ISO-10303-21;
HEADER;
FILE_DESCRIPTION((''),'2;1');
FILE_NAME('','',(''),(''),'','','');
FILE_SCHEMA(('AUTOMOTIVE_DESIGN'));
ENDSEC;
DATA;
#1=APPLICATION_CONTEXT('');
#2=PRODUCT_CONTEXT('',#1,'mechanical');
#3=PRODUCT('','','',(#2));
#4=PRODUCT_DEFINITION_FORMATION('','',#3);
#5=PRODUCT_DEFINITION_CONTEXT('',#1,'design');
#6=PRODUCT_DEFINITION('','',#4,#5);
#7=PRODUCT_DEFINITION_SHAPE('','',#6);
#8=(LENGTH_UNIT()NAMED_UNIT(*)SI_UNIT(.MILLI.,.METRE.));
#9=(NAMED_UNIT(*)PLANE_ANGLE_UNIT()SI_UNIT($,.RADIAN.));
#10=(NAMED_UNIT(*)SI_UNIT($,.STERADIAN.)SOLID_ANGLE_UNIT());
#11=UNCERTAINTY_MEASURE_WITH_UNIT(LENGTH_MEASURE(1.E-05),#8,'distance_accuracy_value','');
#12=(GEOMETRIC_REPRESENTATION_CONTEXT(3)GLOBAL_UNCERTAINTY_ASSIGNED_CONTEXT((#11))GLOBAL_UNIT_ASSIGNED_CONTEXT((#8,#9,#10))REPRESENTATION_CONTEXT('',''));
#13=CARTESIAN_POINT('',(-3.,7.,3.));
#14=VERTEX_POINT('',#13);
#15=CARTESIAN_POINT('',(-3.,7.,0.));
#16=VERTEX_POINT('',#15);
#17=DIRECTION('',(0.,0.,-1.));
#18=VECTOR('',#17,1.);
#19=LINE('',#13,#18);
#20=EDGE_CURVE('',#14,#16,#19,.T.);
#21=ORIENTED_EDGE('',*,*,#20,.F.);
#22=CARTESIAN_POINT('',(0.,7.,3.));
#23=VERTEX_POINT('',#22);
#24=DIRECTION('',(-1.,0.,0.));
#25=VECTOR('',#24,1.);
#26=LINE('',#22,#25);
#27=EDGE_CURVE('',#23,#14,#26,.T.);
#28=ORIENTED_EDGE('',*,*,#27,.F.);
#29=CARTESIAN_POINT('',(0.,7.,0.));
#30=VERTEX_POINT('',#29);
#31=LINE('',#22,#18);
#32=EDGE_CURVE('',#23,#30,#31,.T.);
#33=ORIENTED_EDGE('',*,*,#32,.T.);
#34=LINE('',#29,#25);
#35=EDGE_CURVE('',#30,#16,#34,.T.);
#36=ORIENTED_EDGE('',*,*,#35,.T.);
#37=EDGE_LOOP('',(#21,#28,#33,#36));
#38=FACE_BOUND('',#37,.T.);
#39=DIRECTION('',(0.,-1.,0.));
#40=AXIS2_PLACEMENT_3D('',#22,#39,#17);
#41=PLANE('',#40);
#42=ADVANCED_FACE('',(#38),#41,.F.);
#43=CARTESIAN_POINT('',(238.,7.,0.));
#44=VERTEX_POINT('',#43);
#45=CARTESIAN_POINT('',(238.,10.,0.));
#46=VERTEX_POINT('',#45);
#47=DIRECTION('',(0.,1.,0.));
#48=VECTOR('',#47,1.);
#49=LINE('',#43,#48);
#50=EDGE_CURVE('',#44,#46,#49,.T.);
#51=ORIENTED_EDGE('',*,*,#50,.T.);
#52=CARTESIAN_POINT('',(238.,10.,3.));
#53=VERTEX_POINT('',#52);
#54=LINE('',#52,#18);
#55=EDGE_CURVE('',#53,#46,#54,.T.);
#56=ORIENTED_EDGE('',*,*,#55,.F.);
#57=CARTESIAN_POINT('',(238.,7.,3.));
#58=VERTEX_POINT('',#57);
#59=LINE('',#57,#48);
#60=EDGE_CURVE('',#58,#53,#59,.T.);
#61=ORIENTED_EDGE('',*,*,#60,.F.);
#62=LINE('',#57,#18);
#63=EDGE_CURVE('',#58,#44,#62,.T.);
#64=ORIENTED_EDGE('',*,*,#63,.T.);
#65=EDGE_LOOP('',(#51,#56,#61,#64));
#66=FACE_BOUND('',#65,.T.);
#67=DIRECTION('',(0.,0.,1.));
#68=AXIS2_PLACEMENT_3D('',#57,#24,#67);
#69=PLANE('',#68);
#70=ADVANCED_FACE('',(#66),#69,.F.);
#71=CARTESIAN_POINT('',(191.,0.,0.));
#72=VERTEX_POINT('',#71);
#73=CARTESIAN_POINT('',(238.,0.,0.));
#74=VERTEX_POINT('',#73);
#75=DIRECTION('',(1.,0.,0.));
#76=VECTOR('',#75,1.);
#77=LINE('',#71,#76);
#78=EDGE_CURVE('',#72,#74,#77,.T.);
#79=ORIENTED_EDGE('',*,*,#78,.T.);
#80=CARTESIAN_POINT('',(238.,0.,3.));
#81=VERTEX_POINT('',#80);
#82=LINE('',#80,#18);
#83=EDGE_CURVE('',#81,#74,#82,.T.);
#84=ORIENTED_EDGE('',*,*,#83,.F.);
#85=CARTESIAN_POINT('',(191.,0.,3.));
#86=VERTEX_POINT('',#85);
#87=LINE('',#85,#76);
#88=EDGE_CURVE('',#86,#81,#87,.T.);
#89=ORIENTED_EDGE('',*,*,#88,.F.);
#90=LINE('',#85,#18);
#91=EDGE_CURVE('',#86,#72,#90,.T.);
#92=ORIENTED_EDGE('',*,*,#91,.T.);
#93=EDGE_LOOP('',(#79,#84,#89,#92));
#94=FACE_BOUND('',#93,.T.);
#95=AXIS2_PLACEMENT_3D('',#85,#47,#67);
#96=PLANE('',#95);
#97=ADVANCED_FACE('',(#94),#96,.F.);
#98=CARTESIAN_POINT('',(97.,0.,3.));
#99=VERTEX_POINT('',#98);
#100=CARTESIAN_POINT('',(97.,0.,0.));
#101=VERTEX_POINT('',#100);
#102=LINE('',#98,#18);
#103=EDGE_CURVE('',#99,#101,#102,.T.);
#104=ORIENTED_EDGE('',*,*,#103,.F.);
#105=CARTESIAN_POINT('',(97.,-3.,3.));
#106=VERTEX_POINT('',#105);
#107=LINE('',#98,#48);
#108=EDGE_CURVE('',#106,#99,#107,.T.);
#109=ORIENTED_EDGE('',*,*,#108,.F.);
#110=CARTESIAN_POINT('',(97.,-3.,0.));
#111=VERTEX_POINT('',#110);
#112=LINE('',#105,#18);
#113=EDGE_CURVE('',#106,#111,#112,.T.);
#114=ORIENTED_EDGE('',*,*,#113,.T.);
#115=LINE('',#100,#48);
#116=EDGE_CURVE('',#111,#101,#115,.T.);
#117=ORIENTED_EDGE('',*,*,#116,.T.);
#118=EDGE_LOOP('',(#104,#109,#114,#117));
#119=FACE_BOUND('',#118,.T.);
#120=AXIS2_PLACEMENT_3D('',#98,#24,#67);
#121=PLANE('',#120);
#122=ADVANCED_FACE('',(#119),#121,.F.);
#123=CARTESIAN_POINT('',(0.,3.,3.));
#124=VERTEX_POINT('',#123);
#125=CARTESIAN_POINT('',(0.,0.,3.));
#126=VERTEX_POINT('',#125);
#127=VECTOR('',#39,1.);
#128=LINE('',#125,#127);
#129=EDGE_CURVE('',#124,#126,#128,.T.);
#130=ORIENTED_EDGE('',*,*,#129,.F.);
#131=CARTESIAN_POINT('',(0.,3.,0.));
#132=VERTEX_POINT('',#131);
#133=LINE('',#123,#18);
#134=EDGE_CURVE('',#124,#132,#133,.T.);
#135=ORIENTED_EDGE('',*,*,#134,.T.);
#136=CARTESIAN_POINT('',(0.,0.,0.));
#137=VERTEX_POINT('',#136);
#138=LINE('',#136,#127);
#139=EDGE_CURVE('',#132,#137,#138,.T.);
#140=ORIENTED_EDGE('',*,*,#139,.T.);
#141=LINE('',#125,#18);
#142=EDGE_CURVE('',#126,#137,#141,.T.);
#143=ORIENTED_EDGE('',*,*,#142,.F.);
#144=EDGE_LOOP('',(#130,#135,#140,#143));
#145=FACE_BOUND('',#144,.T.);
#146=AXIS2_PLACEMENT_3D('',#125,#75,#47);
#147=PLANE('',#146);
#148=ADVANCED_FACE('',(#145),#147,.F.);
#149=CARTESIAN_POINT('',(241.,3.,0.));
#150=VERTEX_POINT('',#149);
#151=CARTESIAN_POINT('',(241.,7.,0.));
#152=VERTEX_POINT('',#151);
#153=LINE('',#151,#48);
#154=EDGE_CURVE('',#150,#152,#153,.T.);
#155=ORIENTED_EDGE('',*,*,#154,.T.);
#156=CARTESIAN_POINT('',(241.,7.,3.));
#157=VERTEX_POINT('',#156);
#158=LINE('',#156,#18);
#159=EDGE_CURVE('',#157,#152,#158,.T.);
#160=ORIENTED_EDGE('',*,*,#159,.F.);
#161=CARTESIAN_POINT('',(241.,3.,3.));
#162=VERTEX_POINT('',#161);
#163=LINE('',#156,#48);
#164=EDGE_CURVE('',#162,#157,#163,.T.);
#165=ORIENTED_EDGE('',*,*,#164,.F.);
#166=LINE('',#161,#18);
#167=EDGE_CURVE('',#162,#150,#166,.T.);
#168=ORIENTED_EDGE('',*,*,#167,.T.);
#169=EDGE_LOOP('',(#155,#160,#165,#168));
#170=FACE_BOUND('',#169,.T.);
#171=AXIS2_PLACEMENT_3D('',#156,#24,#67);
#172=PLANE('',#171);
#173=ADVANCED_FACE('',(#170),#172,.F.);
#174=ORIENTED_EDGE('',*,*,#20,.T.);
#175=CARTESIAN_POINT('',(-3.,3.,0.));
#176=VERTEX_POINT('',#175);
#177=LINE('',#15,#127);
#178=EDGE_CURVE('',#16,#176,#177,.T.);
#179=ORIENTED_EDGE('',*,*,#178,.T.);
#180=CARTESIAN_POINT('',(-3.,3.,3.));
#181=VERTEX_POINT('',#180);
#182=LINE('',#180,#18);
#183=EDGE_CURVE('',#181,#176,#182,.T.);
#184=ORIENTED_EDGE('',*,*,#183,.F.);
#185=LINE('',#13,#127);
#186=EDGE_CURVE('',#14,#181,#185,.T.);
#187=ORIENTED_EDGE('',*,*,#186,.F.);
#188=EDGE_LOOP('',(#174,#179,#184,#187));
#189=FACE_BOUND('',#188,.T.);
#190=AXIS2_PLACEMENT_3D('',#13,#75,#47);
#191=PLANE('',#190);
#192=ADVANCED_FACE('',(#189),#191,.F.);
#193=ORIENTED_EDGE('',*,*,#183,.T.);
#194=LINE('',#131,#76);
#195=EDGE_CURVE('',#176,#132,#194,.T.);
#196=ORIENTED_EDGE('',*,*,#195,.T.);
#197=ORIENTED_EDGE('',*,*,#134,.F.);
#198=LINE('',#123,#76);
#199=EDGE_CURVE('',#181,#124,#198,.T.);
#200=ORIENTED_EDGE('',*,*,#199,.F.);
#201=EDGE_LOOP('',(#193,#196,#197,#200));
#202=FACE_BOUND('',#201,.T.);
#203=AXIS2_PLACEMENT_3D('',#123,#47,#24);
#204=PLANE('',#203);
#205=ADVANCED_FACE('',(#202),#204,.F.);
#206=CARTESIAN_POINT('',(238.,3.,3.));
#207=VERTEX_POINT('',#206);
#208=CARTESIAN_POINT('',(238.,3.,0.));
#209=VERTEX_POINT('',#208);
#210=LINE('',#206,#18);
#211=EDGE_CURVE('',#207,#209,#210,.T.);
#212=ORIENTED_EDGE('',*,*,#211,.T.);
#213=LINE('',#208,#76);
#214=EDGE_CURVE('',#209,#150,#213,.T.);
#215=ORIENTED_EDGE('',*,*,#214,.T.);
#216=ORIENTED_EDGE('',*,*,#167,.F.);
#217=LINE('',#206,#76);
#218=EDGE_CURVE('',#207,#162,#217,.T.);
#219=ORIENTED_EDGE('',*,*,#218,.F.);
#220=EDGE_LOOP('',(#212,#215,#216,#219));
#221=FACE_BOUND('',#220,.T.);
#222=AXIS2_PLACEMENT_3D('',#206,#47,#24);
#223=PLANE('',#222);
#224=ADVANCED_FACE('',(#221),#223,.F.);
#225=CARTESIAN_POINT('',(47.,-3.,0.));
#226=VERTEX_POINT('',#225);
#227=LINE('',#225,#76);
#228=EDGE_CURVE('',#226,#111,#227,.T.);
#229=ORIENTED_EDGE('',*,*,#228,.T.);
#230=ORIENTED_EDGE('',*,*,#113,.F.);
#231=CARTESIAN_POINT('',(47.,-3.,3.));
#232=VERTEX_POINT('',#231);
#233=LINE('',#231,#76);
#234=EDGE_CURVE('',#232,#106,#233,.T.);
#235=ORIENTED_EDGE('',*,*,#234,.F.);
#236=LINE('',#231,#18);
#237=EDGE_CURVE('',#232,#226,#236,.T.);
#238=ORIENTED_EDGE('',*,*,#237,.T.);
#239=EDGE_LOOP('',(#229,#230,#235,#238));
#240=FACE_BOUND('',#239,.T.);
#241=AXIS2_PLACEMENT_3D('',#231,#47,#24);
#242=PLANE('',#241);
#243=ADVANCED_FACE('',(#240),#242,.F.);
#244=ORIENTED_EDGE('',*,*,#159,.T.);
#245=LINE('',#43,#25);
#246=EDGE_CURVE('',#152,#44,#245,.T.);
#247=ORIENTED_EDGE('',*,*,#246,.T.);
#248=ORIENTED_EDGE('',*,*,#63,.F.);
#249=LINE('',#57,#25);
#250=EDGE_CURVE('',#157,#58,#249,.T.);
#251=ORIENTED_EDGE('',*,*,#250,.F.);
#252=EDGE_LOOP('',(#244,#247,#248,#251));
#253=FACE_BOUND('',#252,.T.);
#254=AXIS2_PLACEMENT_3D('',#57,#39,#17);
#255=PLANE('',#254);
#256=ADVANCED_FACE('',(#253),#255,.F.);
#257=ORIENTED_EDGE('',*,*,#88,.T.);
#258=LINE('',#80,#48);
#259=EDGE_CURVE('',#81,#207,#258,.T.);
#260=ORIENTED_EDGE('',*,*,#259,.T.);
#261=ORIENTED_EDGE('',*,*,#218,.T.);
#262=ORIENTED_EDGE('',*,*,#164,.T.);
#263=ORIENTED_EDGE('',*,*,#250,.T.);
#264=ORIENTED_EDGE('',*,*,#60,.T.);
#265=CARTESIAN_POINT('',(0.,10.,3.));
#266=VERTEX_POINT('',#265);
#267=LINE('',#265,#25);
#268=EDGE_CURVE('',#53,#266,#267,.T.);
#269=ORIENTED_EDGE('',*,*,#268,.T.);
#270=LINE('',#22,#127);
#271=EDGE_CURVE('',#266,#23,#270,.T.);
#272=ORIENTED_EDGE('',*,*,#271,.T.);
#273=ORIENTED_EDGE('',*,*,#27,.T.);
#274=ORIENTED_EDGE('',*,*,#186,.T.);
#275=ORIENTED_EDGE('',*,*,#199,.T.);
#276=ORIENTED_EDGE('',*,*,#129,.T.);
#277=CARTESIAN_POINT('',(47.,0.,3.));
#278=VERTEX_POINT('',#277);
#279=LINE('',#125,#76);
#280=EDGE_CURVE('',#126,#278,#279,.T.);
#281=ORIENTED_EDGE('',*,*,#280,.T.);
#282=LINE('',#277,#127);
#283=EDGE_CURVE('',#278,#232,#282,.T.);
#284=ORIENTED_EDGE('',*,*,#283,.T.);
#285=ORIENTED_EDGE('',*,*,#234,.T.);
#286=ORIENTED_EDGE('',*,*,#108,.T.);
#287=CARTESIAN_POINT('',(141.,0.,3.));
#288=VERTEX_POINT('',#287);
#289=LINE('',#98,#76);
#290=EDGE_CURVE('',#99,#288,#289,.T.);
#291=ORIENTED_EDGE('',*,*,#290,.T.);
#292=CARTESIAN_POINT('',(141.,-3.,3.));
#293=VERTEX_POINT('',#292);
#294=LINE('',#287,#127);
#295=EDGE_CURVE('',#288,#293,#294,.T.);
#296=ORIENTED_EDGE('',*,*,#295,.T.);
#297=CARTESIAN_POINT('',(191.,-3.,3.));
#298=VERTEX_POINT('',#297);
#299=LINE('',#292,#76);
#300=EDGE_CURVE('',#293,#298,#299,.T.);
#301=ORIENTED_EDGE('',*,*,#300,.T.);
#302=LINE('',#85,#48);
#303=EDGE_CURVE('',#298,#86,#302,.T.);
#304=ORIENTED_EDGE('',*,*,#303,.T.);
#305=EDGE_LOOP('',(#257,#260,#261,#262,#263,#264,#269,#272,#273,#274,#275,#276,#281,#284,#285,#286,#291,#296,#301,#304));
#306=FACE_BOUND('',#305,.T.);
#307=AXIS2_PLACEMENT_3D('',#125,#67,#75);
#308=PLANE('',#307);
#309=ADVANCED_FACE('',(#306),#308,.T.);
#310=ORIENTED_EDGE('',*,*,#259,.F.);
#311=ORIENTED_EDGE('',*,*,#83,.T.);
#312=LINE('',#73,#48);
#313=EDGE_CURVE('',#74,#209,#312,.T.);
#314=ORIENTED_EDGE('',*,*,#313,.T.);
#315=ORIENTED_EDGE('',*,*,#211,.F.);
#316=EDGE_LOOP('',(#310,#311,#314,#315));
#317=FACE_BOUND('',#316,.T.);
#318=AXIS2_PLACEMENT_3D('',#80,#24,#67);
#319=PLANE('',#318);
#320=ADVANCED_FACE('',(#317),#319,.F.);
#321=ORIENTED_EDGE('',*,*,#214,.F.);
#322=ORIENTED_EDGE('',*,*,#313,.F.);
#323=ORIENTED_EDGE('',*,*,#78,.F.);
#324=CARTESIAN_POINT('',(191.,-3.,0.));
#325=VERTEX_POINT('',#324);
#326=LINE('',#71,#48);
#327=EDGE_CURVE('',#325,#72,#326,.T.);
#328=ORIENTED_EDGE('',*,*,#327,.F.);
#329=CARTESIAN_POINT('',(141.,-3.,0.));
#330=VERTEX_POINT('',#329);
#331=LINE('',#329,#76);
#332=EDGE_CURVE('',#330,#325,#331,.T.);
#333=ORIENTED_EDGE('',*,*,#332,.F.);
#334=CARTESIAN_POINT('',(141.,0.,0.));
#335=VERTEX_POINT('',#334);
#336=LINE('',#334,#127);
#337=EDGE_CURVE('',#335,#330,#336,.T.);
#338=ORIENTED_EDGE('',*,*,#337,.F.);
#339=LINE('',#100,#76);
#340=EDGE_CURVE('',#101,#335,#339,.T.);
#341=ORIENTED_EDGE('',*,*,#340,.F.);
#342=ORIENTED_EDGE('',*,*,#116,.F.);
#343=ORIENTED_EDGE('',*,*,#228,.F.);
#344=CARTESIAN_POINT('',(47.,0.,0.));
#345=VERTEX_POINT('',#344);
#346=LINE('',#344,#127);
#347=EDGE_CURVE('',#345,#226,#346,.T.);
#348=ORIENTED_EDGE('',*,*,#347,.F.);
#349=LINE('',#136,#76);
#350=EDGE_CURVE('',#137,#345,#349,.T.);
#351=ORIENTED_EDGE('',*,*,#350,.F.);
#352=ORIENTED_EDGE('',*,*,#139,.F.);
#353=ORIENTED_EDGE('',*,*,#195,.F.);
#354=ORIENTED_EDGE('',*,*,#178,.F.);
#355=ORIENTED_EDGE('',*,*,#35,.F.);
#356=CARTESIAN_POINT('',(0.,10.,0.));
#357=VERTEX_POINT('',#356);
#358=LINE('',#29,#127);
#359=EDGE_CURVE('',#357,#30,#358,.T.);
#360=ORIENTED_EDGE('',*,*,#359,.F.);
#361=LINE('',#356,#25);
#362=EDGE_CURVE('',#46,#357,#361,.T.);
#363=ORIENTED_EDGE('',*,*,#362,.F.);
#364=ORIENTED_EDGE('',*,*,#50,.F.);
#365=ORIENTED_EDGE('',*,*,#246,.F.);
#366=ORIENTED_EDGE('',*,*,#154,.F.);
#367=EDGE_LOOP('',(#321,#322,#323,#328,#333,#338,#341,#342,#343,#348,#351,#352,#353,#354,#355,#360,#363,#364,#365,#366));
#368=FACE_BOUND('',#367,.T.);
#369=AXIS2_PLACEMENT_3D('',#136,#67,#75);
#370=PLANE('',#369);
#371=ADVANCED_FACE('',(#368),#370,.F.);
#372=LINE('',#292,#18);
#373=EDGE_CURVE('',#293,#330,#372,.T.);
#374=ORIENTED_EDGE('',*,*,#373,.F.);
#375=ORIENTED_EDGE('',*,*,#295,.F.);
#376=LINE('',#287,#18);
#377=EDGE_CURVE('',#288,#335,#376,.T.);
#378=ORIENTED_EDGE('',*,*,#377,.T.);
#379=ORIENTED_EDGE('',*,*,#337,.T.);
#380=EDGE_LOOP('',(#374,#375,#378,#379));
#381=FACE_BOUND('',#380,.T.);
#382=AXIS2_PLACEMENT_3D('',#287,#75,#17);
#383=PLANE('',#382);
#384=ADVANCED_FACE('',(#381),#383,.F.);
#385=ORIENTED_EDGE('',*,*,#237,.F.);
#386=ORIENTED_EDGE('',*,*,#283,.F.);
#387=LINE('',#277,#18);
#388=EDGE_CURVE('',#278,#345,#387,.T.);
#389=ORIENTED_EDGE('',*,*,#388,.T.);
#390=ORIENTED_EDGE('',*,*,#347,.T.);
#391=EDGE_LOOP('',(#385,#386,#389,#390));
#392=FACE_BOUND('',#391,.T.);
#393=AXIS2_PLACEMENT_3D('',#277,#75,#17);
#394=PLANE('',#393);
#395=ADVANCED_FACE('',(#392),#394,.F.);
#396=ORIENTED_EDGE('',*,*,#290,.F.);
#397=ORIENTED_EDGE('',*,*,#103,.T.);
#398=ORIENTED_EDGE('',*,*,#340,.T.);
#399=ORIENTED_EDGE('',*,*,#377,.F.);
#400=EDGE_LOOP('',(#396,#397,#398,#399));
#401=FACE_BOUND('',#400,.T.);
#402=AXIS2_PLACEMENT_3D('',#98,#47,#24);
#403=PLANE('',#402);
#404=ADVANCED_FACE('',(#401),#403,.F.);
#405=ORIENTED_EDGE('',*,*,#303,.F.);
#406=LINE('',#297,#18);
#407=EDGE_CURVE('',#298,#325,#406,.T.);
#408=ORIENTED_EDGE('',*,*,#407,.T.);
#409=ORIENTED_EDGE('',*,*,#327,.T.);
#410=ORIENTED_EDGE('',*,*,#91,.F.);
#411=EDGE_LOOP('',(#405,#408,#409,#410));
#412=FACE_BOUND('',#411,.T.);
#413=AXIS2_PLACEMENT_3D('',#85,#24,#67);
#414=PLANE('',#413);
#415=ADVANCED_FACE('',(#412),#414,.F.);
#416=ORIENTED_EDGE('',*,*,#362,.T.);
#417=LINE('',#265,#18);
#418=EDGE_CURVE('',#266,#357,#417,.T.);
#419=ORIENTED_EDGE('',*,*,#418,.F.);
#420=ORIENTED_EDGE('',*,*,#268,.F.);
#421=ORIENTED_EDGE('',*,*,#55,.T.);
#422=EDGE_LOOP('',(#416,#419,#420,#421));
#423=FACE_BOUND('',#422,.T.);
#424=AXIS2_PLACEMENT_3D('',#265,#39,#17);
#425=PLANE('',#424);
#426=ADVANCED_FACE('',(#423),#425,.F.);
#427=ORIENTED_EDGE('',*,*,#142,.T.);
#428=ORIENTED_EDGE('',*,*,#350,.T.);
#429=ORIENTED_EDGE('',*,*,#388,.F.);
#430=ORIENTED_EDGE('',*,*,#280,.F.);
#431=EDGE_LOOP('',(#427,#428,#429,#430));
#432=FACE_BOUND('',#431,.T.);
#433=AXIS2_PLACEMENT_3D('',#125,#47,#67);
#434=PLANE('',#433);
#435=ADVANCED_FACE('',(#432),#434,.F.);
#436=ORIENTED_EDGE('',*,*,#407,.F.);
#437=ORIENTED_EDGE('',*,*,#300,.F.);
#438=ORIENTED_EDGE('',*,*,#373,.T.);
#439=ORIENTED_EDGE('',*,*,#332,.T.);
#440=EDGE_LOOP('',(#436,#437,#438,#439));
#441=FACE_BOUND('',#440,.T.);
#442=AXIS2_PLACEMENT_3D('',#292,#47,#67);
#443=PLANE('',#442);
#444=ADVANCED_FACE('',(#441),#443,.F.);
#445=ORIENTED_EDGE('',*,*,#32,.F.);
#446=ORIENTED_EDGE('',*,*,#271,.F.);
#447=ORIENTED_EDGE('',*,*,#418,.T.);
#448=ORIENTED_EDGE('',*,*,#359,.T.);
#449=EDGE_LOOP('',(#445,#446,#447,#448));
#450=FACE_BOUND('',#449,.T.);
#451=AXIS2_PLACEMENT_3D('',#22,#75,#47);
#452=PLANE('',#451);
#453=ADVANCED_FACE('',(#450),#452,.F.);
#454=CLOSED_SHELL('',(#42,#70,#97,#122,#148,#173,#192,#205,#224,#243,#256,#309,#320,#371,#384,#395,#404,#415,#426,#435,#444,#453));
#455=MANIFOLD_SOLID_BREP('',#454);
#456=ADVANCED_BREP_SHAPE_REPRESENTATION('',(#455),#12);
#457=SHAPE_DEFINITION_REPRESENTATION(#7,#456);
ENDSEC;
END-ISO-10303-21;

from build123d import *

# Parameters (mm, degrees)
BOSS_EXTRUDE1_DEPTH = 3


with BuildPart() as part:
    # Sketch1 → Boss-Extrude1 (new body)
    with BuildSketch(Plane.XY):
        Polygon((97, 0), (141, 0), (141, -3), (191, -3), (191, 0), (238, 0), (238, 3), (241, 3), (241, 7), (238, 7), (238, 10), (0, 10), (0, 7), (-3, 7), (-3, 3), (0, 3), (0, 0), (47, 0), (47, -3), (97, -3), align=None)
    extrude(amount=BOSS_EXTRUDE1_DEPTH)


solid = part.part
